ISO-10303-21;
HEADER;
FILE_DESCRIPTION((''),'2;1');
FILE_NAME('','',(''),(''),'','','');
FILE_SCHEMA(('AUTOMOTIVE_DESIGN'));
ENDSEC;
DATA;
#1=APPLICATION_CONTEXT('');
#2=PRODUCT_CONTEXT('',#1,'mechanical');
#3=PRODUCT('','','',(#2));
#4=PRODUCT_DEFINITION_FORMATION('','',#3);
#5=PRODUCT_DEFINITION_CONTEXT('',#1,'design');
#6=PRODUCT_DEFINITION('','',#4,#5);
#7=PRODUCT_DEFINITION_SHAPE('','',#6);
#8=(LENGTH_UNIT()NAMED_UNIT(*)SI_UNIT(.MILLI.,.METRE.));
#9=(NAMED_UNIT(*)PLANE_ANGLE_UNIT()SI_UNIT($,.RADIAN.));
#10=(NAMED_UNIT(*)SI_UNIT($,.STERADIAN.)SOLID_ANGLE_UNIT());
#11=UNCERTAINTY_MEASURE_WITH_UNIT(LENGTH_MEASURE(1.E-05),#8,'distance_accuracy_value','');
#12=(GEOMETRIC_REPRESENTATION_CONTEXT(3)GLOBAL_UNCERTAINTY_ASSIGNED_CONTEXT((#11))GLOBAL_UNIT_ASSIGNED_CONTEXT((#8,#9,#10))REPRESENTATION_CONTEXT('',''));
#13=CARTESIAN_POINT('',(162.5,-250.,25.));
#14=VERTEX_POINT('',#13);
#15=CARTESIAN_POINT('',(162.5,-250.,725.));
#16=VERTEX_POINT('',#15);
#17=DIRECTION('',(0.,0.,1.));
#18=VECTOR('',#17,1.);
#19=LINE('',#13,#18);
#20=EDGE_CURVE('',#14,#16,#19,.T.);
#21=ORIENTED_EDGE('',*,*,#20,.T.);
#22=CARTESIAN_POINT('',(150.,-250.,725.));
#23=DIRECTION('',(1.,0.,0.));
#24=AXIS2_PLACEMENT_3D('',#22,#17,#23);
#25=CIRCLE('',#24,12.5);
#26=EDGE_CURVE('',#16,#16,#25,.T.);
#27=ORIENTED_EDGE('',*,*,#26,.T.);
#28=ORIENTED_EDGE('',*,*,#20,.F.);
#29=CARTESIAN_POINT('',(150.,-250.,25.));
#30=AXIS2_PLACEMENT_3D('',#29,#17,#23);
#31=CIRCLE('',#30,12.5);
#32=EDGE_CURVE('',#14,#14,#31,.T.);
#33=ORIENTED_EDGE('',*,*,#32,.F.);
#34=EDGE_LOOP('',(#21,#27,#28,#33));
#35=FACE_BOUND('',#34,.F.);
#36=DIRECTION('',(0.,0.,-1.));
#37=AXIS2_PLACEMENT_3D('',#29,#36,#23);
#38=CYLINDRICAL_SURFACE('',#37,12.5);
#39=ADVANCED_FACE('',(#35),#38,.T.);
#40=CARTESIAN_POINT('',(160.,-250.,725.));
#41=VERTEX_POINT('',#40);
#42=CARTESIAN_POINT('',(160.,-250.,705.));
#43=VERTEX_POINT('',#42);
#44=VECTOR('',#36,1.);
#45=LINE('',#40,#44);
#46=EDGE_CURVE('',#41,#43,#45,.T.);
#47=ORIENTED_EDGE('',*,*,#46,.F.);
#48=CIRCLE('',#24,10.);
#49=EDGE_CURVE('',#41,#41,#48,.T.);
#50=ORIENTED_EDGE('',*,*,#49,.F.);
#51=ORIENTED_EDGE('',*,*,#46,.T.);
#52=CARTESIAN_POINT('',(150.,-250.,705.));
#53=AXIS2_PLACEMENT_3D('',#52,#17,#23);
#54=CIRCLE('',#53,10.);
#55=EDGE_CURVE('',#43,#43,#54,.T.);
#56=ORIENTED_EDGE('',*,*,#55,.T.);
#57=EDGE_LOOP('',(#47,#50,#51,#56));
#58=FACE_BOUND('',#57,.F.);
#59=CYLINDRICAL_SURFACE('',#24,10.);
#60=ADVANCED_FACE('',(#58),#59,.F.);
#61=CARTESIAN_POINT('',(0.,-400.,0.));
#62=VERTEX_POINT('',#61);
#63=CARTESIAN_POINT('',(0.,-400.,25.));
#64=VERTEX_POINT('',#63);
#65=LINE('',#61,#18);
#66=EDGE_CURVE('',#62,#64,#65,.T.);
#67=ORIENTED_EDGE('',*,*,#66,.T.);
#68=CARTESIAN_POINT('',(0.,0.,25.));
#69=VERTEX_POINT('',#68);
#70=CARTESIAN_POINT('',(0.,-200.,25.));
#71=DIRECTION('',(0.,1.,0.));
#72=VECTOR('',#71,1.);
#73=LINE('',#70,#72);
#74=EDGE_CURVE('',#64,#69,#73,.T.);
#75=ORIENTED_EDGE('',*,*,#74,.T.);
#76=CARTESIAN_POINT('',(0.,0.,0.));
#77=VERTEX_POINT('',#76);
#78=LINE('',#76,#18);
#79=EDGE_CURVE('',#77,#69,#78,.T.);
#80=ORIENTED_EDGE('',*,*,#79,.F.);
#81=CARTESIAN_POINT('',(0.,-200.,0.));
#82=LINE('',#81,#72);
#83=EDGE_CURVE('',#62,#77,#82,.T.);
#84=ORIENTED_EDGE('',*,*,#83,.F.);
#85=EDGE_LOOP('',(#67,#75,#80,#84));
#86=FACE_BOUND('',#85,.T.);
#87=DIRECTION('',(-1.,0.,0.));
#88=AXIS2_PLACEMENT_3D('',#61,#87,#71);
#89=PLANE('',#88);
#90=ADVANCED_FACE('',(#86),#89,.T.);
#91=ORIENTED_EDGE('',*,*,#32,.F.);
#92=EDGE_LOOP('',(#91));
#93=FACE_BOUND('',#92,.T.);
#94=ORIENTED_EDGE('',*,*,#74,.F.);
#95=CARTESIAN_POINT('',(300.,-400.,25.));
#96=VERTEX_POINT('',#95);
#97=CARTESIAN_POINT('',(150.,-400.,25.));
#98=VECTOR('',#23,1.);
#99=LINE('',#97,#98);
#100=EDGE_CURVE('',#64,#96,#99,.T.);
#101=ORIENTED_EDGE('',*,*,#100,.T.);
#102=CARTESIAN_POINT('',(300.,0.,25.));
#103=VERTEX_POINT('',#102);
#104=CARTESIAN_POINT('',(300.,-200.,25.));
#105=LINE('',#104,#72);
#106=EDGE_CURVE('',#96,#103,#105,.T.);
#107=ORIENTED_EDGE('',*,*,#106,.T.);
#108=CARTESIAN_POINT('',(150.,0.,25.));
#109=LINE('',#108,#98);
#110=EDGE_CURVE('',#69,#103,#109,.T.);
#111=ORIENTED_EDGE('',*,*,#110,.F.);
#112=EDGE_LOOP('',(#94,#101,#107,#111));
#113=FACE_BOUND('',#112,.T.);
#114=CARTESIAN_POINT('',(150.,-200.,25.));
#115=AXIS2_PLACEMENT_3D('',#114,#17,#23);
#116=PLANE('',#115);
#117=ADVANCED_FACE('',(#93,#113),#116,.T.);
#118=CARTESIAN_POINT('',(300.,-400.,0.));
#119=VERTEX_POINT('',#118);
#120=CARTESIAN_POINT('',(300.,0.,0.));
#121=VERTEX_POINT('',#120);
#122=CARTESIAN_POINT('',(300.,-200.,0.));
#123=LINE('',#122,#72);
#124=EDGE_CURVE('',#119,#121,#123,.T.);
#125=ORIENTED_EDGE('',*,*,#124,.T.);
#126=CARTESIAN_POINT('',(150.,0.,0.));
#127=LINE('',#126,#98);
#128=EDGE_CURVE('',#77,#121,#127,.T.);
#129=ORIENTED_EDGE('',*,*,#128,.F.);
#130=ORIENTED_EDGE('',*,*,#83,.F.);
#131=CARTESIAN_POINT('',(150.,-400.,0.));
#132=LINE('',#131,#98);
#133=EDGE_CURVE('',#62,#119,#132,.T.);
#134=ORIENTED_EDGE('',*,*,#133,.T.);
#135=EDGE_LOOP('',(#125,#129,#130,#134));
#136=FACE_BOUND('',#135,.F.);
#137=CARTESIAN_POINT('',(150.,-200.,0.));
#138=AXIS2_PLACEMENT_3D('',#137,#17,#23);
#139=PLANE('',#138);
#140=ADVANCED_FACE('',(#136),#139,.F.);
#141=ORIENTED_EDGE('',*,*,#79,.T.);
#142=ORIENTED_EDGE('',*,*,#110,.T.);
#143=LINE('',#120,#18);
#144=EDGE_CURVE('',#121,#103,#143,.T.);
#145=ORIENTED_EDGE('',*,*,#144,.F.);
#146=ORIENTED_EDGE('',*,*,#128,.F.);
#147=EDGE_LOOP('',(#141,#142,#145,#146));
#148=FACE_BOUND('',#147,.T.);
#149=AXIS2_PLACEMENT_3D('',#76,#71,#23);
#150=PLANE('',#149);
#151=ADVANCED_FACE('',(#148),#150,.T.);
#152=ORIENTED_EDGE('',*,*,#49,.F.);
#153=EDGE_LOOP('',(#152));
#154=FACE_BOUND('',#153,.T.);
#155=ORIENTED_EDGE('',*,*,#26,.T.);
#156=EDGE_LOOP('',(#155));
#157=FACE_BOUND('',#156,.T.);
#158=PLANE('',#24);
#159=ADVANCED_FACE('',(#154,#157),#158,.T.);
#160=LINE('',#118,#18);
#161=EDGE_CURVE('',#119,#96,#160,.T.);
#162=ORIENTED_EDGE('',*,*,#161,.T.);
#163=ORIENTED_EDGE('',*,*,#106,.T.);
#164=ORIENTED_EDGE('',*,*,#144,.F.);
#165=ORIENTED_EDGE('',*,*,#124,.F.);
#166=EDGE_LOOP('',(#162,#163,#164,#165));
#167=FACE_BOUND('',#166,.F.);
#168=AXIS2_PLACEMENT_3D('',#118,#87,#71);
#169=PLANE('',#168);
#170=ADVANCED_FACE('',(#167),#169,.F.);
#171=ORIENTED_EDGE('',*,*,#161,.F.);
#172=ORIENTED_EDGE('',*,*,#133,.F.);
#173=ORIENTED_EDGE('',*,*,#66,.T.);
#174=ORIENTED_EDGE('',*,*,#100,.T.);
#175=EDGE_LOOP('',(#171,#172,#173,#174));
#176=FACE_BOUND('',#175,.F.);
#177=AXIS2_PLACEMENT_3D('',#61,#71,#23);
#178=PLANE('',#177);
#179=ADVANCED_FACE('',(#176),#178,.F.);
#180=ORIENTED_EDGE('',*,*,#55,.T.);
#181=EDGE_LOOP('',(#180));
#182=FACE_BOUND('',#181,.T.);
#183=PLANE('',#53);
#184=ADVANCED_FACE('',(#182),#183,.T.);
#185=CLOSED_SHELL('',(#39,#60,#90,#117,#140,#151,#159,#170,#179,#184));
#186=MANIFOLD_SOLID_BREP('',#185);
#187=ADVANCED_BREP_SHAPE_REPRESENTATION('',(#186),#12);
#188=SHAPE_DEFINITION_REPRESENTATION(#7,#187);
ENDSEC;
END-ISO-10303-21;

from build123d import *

# Parameters (mm, degrees)
F0_W     = 300
F0_H     = 400
F1_DEPTH = 25
F2_R     = 12.5
F3_DEPTH = 700
F4_R     = 10
F5_DEPTH = 20


with BuildPart() as f1:
    # F0 (on Top) → F1 (new body)
    with BuildSketch(Plane.XY):
        with Locations((150, -200)):
            Rectangle(F0_W, F0_H)
    extrude(amount=F1_DEPTH)

    # F2 (on face) → F3 (join)
    with BuildSketch(Plane.XY.offset(25)):
        with Locations((150, -250)):
            Circle(F2_R)
    extrude(amount=F3_DEPTH)

    # F4 (on face) → F5 (cut)
    with BuildSketch(Plane.XY.offset(725)):
        with Locations((150, -250)):
            Circle(F4_R)
    extrude(amount=-F5_DEPTH, mode=Mode.SUBTRACT)


solid = f1.part
